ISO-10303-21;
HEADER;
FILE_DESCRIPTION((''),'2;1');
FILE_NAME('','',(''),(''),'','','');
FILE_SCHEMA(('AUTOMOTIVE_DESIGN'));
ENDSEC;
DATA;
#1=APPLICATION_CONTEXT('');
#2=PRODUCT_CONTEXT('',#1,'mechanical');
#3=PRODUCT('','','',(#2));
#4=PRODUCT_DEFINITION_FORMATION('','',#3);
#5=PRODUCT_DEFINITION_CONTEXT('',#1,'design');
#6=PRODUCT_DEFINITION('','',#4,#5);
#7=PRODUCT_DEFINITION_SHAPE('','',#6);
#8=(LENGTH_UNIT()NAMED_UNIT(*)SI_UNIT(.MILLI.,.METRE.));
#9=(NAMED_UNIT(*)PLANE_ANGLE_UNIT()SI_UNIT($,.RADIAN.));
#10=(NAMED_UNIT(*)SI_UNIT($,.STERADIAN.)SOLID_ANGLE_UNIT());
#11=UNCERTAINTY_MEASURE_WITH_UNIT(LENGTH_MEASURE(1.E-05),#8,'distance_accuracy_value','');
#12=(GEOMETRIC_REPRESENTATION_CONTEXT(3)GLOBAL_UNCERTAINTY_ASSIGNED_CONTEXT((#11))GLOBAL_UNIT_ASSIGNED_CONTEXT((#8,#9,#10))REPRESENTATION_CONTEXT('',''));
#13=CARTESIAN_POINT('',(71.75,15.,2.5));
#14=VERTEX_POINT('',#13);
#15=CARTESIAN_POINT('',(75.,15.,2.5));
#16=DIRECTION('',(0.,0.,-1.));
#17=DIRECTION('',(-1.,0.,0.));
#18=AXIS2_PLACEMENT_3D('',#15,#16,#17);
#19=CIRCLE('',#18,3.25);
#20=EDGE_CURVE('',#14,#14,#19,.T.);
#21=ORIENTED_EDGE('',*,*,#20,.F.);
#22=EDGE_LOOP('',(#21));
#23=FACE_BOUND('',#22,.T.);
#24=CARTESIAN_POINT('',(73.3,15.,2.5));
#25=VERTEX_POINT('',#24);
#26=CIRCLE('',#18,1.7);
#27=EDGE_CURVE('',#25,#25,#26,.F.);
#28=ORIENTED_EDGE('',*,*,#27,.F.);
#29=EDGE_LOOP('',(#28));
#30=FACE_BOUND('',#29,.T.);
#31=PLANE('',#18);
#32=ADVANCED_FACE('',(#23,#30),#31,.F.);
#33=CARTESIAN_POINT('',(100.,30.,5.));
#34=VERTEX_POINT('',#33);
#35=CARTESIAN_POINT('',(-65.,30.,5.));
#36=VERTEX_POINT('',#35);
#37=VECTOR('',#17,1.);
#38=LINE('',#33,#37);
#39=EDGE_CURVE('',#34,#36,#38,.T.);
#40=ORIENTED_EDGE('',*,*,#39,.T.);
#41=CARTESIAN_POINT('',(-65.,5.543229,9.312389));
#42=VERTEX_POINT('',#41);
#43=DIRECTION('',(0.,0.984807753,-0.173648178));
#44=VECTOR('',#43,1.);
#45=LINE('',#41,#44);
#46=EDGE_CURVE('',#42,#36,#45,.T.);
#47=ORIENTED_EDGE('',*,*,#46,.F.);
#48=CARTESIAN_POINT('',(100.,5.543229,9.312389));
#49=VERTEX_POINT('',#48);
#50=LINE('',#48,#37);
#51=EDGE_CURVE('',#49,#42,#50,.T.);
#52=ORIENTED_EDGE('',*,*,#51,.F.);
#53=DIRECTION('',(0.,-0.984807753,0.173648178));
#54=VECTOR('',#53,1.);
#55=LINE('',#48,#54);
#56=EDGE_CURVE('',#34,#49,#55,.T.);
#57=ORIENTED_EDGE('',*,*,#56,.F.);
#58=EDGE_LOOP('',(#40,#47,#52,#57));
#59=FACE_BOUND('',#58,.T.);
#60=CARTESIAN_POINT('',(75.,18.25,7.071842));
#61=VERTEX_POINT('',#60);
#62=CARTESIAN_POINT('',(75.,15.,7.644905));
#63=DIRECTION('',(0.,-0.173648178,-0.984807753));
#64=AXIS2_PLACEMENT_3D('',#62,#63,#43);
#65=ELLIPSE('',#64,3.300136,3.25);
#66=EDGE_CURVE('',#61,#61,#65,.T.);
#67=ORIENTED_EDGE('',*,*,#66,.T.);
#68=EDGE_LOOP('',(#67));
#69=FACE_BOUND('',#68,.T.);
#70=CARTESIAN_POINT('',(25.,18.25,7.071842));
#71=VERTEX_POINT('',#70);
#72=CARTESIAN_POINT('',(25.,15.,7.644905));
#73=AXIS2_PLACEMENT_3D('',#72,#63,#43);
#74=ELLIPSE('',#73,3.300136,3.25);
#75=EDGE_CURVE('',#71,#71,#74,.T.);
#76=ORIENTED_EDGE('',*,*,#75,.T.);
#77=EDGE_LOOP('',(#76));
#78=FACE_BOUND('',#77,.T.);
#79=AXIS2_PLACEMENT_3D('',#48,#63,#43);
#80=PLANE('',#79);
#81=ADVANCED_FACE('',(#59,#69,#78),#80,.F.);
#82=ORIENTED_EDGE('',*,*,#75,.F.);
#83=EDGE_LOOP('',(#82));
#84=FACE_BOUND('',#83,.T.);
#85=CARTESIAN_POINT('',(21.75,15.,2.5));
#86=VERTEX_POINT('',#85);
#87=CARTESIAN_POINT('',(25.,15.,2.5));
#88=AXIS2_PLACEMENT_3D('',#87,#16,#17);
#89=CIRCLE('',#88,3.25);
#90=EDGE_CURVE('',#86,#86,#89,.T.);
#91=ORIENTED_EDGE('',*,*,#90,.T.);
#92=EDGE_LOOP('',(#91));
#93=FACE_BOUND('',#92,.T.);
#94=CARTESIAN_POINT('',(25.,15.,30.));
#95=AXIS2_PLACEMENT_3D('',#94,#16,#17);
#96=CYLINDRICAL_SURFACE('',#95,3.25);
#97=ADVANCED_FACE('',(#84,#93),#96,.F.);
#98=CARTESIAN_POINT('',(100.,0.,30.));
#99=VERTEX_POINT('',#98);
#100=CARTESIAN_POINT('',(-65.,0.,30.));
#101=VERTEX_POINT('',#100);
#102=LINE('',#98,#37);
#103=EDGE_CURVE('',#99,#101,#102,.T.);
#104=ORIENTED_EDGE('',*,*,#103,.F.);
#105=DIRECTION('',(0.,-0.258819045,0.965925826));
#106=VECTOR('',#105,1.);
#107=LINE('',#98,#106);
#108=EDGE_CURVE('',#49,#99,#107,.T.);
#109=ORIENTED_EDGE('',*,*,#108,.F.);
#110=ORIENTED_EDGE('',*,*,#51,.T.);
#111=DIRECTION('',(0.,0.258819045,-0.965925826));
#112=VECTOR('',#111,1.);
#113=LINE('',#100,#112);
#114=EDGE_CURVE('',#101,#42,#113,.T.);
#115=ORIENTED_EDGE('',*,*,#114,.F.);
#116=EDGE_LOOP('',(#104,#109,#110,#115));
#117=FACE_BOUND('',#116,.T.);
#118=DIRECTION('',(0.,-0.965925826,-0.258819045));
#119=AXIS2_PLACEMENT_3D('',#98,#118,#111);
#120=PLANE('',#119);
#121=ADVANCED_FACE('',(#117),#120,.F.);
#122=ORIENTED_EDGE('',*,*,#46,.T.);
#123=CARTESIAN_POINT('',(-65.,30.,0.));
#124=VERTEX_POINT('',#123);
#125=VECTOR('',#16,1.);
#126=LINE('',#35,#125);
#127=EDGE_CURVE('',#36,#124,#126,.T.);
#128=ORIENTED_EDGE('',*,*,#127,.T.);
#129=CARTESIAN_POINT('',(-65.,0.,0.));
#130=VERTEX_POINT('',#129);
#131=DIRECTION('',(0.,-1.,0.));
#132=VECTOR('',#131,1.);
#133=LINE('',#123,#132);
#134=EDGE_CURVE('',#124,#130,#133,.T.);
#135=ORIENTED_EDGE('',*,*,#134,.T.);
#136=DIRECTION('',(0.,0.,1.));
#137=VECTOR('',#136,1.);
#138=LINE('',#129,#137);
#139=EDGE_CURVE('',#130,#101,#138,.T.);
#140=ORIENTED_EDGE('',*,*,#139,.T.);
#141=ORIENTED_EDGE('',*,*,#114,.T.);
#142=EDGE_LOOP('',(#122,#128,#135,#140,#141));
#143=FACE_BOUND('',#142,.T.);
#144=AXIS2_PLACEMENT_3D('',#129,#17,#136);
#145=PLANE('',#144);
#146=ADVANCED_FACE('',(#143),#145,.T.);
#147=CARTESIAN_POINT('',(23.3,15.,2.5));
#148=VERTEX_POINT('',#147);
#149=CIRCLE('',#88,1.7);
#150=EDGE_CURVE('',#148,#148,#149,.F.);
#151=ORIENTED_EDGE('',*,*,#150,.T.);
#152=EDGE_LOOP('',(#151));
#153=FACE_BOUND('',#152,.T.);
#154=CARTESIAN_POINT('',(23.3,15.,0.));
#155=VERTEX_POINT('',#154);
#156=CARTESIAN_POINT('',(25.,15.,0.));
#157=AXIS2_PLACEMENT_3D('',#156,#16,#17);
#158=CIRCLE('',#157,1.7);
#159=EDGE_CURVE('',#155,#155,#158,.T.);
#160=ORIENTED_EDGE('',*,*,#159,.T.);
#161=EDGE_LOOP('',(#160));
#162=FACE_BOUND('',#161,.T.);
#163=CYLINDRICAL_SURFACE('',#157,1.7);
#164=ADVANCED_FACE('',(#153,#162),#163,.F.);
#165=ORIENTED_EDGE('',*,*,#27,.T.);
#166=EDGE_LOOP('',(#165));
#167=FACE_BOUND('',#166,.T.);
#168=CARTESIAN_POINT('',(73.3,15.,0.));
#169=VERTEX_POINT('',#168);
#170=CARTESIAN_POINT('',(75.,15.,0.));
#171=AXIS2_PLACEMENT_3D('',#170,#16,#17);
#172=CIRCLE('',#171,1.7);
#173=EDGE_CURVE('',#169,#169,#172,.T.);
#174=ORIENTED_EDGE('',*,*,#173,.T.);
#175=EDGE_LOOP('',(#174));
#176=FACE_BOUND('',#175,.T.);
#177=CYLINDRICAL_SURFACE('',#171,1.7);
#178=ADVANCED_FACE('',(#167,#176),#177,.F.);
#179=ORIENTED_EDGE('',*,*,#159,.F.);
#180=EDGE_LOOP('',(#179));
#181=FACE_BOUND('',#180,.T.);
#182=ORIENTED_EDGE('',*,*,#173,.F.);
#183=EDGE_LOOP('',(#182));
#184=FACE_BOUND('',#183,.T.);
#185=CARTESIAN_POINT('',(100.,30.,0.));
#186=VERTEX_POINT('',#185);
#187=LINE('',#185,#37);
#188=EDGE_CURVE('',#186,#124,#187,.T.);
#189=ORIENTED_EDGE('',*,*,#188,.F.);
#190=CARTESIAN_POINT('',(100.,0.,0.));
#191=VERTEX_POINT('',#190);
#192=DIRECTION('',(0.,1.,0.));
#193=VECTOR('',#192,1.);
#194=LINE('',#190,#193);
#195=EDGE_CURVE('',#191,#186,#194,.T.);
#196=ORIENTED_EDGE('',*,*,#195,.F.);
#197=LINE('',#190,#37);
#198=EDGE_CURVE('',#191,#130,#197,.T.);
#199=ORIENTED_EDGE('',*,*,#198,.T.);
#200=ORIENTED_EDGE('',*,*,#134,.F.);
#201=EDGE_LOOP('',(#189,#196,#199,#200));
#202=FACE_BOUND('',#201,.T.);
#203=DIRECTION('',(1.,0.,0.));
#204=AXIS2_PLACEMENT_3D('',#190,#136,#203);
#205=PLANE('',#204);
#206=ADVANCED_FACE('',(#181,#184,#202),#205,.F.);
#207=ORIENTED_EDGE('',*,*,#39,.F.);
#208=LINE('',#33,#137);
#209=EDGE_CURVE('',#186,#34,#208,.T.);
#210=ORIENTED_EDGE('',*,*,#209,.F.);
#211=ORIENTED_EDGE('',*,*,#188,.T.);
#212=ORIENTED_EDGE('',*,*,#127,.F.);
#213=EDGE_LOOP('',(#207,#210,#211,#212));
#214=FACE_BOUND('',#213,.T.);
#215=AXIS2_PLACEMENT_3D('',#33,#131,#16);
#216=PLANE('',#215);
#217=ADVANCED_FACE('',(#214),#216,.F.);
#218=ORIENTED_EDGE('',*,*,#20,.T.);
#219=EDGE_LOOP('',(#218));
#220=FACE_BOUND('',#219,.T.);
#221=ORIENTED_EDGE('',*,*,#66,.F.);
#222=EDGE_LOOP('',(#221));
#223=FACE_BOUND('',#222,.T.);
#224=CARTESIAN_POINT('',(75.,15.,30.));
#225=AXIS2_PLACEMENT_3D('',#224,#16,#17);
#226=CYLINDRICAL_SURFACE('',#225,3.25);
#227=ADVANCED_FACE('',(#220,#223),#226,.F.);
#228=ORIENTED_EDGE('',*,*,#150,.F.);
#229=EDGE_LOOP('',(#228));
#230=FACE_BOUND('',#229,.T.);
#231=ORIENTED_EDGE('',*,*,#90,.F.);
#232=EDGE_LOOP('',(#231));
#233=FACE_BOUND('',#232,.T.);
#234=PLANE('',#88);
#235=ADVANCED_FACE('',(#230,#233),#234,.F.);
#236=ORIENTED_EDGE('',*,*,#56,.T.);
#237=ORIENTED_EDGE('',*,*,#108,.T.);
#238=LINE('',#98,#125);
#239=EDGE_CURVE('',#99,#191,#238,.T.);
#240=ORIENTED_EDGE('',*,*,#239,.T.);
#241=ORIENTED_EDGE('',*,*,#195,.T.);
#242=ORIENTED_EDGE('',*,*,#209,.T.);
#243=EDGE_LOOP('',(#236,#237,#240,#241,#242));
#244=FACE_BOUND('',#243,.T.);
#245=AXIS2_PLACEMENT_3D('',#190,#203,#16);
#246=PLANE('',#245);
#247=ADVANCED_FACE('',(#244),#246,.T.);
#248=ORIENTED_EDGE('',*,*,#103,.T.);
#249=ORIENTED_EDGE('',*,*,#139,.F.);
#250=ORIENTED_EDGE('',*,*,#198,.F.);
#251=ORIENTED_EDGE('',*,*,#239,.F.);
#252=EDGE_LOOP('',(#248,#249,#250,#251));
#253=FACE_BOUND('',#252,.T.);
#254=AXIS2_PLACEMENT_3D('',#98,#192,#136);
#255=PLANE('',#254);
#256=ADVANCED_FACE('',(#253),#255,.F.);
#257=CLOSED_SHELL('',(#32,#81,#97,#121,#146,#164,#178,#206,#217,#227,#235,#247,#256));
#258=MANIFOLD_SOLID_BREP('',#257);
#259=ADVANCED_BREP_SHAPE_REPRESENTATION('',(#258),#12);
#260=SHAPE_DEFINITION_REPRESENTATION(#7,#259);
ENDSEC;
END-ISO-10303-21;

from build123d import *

# Parameters (mm, degrees)
BOSS_EXTRUDE1_DEPTH  = 100
M3_CLEARANCE_HOLE1_D = 3.4
SKETCH4_R            = 3.25
CUT_EXTRUDE1_DEPTH   = 108.964114408
BOSS_EXTRUDE2_DEPTH  = 65


with BuildPart() as part:
    # Sketch1 → Boss-Extrude1 (new body)
    with BuildSketch(Plane(origin=(0, 0, 0), x_dir=(0, 0, -1), z_dir=(1, 0, 0))):
        Polygon((0, 0), (0, 30), (-5, 30), (-9.312388631, 5.54322876), (-30, 0), align=None)
    extrude(amount=BOSS_EXTRUDE1_DEPTH)

    # M3 Clearance Hole1 (through all)
    with Locations(Plane(origin=(0, 0, 0), x_dir=(-1, 0, 0), z_dir=(0, 0, -1))):
        with Locations((-25, 15), (-75, 15)):
            Hole(M3_CLEARANCE_HOLE1_D / 2)

    # Sketch4 → Cut-Extrude1 (cut, through all)
    with BuildSketch(Plane(origin=(0, 0, 2.5), x_dir=(-1, 0, 0), z_dir=(0, 0, -1))):
        with Locations((-75, 15)):
            Circle(SKETCH4_R)
        with Locations((-25, 15)):
            Circle(SKETCH4_R)
    extrude(amount=-CUT_EXTRUDE1_DEPTH, mode=Mode.SUBTRACT)

    # Sketch6 → Boss-Extrude2 (add)
    with BuildSketch(Plane.ZY):
        Polygon((0, 0), (30, 0), (9.312388631, 5.54322876), (5, 30), (0, 30), align=None)
    extrude(amount=BOSS_EXTRUDE2_DEPTH)


solid = part.part
